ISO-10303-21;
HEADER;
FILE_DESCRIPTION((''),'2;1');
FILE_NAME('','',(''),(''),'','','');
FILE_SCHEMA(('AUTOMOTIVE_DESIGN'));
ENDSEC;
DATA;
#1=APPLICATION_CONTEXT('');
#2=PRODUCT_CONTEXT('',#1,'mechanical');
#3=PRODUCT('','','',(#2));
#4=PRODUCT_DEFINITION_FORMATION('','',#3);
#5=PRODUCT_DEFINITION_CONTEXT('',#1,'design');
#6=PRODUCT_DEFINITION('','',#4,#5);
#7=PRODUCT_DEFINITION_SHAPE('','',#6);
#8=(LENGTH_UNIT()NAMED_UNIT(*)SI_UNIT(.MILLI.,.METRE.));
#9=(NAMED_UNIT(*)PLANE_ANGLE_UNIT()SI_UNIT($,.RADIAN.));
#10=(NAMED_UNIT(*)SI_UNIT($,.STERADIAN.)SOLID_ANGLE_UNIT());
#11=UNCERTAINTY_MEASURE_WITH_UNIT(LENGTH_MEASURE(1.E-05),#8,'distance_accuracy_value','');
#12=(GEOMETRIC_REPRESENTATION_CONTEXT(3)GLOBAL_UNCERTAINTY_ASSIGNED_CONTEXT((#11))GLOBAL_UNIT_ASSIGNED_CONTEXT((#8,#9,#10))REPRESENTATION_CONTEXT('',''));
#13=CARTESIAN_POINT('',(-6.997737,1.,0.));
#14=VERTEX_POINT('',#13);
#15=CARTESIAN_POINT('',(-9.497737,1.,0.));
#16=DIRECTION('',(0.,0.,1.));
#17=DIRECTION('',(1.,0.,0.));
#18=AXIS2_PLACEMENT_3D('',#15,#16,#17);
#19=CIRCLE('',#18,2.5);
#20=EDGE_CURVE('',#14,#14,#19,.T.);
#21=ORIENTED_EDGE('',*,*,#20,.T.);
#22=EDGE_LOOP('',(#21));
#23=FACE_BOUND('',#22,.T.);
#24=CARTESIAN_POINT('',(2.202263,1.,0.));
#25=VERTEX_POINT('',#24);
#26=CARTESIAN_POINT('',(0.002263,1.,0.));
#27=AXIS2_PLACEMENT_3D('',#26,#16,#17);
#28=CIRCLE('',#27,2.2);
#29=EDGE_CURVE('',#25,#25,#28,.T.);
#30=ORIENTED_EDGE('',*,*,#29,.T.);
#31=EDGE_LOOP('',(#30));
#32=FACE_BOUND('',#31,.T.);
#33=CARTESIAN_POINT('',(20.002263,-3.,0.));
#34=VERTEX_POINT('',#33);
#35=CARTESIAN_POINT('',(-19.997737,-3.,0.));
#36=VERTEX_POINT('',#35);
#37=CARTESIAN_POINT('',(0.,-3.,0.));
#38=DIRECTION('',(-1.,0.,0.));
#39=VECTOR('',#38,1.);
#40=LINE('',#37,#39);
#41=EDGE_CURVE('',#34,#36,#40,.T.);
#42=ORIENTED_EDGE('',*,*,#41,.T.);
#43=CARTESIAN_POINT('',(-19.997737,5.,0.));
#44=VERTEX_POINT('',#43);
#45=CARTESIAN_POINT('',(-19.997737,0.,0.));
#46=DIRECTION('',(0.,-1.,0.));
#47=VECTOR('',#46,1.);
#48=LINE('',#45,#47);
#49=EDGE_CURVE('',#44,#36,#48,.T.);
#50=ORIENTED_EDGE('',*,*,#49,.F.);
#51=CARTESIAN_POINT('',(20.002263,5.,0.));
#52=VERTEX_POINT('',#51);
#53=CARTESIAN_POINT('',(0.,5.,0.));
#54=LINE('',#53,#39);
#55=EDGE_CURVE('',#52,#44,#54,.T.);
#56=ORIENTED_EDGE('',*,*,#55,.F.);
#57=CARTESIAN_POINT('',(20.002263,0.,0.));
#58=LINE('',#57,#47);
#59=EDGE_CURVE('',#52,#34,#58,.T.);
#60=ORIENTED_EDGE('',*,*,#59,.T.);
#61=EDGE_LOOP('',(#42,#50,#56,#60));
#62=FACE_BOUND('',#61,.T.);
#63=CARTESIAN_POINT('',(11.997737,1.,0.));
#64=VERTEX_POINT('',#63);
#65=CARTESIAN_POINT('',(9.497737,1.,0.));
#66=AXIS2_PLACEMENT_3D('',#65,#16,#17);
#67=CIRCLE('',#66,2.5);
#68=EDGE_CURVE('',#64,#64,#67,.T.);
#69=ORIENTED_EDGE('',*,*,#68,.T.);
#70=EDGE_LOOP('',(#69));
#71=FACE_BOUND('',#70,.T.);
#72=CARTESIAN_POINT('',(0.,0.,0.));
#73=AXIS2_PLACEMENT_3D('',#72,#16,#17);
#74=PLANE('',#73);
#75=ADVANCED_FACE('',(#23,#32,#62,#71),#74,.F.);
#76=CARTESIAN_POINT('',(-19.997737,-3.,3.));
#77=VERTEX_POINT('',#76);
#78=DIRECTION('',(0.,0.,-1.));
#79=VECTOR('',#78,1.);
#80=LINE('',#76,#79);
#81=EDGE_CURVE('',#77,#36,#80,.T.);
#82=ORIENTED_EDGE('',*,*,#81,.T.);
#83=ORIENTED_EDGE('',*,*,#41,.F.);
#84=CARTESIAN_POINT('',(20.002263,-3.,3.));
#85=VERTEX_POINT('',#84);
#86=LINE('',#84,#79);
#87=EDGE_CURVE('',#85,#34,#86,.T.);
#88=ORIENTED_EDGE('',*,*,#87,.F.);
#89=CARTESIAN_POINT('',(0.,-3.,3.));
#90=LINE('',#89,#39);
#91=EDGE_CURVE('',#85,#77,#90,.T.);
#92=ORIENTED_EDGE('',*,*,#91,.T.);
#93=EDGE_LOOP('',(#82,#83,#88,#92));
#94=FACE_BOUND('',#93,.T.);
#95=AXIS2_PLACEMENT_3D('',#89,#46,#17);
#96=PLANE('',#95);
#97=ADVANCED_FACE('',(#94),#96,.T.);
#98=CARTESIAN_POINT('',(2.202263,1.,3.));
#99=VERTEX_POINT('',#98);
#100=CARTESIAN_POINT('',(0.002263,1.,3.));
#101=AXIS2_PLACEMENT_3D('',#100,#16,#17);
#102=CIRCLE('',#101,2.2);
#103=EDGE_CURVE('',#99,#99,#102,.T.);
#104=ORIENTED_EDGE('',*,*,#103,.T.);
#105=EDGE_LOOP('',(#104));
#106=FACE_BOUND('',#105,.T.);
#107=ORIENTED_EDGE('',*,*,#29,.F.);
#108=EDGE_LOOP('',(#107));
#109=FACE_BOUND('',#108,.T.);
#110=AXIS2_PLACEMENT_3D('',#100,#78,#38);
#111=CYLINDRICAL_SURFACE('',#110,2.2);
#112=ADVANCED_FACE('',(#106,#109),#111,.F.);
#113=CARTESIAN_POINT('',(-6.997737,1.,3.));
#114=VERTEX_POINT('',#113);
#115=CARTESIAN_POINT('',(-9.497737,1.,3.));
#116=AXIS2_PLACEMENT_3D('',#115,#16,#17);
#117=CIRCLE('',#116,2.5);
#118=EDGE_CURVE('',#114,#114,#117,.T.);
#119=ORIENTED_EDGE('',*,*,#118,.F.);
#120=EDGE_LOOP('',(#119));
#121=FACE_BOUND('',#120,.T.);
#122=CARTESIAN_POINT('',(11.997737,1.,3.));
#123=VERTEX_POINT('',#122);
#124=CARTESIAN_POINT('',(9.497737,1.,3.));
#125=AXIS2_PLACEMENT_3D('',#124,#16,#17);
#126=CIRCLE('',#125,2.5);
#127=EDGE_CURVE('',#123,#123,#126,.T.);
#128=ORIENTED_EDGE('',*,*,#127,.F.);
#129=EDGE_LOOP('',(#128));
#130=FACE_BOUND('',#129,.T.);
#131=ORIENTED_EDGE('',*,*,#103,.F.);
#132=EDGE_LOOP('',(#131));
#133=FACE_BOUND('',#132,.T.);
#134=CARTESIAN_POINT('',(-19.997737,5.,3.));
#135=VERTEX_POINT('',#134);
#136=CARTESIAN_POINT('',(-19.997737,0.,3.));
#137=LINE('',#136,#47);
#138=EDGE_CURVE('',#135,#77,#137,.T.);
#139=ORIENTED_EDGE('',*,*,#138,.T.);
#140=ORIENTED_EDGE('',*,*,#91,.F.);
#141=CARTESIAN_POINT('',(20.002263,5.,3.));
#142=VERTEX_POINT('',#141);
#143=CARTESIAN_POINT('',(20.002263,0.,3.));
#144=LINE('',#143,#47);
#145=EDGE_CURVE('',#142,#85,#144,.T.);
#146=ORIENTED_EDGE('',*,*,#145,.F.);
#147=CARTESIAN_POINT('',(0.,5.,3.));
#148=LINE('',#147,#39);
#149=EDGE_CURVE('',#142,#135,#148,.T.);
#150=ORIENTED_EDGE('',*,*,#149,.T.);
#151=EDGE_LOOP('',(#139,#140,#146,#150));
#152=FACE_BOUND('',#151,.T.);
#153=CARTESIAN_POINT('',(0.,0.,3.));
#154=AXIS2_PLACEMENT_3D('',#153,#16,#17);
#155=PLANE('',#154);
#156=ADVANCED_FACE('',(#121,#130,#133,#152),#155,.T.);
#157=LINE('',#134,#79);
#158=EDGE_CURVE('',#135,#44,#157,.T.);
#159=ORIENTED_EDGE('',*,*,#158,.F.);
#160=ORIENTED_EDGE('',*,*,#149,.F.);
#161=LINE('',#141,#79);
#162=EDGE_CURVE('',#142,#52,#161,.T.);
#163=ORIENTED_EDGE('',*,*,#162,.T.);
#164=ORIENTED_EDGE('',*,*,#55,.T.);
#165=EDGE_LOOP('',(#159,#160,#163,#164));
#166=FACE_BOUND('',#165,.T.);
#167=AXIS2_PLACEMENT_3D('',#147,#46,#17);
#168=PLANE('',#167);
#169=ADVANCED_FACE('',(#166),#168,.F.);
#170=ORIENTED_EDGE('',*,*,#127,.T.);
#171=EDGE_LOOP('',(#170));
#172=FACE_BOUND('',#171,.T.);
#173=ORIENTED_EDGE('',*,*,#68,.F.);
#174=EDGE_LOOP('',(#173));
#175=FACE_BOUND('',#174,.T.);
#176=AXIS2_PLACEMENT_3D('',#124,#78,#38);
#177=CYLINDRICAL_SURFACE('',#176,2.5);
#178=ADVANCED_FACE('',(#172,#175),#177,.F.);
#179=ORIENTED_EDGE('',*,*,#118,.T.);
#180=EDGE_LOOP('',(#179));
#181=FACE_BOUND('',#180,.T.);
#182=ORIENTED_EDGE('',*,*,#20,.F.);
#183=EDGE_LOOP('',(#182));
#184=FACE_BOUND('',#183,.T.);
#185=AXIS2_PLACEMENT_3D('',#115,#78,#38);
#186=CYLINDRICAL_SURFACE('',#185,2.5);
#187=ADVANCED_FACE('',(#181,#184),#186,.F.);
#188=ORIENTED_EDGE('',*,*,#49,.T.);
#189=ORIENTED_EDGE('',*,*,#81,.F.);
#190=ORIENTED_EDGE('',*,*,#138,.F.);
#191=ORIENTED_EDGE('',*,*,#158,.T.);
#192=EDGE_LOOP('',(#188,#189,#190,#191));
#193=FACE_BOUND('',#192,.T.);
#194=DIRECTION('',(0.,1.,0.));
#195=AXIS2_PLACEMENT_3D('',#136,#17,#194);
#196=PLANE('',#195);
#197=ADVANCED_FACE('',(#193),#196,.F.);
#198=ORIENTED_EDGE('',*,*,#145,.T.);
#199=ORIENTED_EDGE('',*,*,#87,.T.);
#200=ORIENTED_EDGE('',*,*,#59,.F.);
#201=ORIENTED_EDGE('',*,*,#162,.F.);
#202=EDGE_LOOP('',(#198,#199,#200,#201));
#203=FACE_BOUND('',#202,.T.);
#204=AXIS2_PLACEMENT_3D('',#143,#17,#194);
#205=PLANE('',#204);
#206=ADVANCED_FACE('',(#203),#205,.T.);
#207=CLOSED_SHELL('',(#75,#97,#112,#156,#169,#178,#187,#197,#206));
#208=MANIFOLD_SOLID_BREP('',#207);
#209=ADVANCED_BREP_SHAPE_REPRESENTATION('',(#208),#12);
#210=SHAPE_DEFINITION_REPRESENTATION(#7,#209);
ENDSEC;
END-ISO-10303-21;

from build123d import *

# Parameters (mm, degrees)
SKETCH1_W           = 40
SKETCH1_H           = 8
SKETCH1_R           = 2.2
BOSS_EXTRUDE1_DEPTH = 3


with BuildPart() as part:
    # Sketch1 → Boss-Extrude1 (new body)
    with BuildSketch(Plane.XY):
        with Locations((0.002263133, 1)):
            Rectangle(SKETCH1_W, SKETCH1_H)
        with Locations((0.002263133, 1)):
            Circle(SKETCH1_R, mode=Mode.SUBTRACT)
        with BuildLine():
            ThreePointArc((-11.98520546, 1.25), (-11.997736867, 1), (-11.98520546, 0.75))
            ThreePointArc((-11.98520546, 0.75), (-6.997736867, 1), (-11.98520546, 1.25))
        make_face(mode=Mode.SUBTRACT)
        with BuildLine():
            ThreePointArc((11.98520546, 1.25), (6.997736867, 1), (11.98520546, 0.75))
            ThreePointArc((11.98520546, 0.75), (11.997736867, 1), (11.98520546, 1.25))
        make_face(mode=Mode.SUBTRACT)
    extrude(amount=BOSS_EXTRUDE1_DEPTH)


solid = part.part
